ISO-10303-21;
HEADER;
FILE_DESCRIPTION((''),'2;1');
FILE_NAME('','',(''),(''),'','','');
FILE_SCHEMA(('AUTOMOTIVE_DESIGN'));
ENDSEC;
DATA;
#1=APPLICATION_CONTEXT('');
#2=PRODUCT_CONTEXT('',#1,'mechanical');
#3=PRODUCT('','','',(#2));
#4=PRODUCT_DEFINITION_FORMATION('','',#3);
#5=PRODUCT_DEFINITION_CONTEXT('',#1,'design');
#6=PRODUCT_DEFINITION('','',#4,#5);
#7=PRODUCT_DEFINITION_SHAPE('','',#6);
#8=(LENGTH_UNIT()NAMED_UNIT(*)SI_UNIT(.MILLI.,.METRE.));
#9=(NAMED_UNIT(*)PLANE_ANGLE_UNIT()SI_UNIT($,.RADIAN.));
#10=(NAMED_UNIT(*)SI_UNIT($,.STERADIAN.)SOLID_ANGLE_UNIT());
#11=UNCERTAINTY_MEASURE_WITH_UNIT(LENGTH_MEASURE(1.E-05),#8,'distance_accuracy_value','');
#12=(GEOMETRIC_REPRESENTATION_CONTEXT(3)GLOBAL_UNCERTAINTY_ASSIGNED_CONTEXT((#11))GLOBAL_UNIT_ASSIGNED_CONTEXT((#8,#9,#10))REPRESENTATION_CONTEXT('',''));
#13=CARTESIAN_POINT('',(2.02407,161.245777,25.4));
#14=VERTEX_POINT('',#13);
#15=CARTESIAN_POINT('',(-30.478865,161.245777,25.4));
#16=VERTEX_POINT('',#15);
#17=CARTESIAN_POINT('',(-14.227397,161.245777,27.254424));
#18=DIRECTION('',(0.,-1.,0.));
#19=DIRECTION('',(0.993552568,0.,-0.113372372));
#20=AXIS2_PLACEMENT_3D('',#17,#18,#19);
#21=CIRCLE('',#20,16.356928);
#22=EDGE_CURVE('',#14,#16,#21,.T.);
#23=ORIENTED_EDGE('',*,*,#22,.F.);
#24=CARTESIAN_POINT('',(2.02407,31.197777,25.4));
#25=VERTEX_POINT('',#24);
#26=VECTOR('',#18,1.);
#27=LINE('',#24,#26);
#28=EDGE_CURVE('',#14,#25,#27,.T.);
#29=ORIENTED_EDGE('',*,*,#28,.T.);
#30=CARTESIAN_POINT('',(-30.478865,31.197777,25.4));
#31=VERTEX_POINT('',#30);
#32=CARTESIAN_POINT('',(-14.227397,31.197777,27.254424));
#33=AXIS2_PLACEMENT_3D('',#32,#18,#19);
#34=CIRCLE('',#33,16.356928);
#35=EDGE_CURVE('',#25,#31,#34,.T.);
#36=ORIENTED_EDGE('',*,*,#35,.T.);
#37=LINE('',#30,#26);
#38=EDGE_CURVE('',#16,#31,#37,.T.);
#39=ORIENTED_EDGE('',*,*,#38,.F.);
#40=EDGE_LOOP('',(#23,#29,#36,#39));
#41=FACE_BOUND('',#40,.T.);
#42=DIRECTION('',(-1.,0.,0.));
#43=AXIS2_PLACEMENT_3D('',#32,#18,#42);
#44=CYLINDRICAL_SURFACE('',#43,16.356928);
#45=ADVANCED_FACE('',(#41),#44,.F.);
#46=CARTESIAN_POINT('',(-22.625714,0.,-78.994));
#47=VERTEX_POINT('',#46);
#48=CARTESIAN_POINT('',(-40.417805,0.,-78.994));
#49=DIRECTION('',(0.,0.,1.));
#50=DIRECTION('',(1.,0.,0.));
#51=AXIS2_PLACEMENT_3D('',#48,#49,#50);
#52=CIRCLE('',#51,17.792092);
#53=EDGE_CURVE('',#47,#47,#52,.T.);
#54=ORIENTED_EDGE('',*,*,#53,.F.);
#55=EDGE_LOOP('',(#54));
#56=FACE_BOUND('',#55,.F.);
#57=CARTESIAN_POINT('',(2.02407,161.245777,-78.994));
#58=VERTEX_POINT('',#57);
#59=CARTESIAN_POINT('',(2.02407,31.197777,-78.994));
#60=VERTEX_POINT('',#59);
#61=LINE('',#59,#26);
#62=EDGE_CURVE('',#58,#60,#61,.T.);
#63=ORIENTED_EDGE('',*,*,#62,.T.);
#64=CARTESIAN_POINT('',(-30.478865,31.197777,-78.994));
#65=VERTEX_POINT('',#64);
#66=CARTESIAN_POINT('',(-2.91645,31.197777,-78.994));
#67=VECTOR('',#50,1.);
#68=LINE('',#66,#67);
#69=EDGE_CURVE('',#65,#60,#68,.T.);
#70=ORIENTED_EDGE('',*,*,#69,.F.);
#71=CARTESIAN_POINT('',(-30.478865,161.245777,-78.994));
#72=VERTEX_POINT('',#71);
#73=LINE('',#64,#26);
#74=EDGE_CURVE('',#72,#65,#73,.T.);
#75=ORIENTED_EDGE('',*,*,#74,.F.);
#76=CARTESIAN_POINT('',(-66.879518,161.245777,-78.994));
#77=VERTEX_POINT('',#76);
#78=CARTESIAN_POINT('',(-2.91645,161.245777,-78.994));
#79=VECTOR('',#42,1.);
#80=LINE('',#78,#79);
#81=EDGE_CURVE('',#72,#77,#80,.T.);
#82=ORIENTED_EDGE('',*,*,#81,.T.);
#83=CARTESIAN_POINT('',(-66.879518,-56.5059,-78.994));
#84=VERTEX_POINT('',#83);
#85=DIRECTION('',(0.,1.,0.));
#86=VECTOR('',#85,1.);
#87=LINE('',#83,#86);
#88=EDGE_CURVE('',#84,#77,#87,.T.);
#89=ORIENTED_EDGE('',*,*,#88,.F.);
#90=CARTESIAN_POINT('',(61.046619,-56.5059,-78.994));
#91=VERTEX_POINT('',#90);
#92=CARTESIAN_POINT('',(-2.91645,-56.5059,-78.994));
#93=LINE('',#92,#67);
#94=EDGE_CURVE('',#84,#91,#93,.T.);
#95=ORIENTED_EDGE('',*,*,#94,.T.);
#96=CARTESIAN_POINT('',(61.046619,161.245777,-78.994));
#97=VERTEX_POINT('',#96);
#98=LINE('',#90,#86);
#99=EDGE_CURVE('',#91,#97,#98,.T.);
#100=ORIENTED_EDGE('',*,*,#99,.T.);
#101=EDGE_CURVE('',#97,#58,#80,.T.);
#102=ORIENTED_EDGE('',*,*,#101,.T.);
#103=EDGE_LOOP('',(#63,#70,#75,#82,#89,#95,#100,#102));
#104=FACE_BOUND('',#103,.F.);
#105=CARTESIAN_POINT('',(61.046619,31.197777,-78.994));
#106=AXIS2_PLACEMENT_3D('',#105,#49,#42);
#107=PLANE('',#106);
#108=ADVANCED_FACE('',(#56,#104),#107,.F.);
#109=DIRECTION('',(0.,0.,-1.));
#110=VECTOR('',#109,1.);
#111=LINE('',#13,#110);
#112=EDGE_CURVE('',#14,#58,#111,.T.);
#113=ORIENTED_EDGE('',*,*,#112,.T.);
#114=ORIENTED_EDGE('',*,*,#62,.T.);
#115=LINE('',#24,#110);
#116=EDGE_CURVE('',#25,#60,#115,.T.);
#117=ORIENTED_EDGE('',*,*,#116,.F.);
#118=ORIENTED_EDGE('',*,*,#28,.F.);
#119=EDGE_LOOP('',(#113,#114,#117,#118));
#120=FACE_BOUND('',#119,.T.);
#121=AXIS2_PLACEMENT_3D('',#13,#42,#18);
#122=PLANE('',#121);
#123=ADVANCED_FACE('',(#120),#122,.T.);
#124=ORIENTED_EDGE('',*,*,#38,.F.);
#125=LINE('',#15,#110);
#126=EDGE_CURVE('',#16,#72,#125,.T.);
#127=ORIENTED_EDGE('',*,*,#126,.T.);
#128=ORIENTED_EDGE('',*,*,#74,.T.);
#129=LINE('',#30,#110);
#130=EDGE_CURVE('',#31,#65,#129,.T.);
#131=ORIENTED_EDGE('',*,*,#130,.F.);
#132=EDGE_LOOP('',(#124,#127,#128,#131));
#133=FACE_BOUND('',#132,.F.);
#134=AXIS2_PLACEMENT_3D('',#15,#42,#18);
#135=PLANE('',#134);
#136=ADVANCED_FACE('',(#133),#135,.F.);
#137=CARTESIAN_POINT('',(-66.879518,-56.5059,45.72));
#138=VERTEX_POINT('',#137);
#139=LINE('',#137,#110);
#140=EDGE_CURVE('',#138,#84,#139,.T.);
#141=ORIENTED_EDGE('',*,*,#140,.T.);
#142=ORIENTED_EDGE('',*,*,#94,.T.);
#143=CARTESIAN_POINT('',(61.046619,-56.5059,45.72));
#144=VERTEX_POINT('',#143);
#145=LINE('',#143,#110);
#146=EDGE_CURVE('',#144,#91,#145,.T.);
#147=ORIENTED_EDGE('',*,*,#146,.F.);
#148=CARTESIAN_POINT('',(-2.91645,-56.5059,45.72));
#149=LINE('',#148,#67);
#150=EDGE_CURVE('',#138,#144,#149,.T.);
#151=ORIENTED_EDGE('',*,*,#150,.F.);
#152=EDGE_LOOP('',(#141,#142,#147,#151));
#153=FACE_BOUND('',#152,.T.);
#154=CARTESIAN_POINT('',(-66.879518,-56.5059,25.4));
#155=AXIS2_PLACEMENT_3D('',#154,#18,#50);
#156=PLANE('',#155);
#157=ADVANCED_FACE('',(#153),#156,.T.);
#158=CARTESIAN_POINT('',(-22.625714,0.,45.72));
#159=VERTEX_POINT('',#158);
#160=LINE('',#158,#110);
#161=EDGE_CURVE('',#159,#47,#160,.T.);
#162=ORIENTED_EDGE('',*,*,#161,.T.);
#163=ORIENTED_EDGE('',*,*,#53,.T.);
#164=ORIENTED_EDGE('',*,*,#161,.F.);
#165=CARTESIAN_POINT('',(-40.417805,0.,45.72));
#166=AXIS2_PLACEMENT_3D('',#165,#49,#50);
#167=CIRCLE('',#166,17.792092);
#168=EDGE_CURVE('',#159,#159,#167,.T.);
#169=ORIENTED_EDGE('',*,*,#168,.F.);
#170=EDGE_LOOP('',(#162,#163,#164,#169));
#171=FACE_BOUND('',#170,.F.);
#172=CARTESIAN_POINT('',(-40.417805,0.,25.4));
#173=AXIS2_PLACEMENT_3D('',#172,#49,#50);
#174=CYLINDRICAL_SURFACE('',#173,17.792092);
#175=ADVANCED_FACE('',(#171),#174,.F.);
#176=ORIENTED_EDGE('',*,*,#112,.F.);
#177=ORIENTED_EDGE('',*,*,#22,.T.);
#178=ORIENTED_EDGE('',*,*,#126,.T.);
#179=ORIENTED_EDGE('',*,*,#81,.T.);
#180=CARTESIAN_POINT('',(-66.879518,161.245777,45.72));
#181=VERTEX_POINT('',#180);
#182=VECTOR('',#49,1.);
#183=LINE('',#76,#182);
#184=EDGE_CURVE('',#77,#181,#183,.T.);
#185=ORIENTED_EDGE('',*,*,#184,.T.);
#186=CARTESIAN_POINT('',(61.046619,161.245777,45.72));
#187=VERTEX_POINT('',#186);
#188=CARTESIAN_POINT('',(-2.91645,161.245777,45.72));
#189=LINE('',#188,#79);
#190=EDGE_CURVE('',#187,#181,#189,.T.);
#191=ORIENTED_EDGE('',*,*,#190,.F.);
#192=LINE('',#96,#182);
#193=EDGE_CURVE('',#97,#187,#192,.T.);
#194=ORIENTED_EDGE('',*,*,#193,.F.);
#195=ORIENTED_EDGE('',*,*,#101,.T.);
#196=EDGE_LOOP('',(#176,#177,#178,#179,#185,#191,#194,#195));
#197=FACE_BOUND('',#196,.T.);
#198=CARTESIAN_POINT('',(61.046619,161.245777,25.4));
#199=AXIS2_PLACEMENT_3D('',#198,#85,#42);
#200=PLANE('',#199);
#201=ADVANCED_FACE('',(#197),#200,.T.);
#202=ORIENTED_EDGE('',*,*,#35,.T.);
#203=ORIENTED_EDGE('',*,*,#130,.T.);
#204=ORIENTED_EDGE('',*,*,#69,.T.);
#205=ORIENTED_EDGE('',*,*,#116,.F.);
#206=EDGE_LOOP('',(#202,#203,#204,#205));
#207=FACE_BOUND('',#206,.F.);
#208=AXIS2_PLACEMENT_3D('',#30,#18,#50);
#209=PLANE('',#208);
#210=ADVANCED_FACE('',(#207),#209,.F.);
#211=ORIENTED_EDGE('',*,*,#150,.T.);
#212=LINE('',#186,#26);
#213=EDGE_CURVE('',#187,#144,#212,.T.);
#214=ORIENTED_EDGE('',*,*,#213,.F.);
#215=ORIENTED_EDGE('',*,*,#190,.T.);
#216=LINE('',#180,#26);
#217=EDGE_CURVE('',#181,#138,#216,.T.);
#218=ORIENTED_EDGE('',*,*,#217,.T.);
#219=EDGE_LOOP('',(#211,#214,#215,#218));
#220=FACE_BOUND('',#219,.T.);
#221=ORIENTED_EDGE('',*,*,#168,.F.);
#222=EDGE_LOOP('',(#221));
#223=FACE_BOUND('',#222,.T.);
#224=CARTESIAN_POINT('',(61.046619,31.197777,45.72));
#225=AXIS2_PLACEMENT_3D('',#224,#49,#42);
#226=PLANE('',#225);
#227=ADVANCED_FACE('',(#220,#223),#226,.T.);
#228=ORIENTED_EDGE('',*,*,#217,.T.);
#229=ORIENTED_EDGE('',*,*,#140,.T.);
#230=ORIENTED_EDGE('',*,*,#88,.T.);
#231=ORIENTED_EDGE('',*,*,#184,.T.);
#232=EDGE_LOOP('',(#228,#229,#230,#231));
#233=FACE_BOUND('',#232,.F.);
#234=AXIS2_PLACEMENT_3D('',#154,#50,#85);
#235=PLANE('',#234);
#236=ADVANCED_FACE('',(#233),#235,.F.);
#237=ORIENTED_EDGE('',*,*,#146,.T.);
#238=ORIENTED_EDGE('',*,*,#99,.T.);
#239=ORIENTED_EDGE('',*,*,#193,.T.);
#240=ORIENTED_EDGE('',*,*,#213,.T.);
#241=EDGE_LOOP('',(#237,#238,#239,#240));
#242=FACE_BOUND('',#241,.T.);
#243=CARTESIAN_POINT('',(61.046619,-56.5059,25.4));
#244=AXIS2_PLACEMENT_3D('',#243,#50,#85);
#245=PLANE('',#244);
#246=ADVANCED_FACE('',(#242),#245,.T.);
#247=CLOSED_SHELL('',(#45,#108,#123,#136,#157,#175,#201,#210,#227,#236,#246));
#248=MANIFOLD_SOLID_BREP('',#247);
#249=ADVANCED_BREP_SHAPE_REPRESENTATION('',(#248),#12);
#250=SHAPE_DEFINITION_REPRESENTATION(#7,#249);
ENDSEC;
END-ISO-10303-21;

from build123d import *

# Parameters (mm, degrees)
F0_W     = 127.9261372983
F0_H     = 87.7036768943
F1_DEPTH = 45.72
F2_R     = 17.7920916597
F3_DEPTH = 45.72
F4_W     = 127.9261372983
F4_H     = 45.72
F4_R     = 16.3569276355
F5_DEPTH = 130.048
F6_DEPTH = 25.4
F7_DEPTH = 104.394


with BuildPart() as f1:
    # F0 (on Top) → F1 (new body)
    with BuildSketch(Plane.XY):
        with Locations((-2.9164496809, -12.6540614292)):
            Rectangle(F0_W, F0_H)
    extrude(amount=F1_DEPTH)

    # F2 (on face) → F3 (cut)
    with BuildSketch(Plane.XY.offset(45.72)):
        with Locations((-40.4178053141, 0)):
            Circle(F2_R)
    extrude(amount=-F3_DEPTH, mode=Mode.SUBTRACT)

    # F4 (on face) → F5 (join)
    with BuildSketch(Plane(origin=(0, 31.197777018, 0), x_dir=(-1, 0, 0), z_dir=(0, 1, 0))):
        with Locations((2.9164496809, 22.86)):
            Rectangle(F4_W, F4_H)
        with Locations((14.2273971344, 27.2544236794)):
            Circle(F4_R, mode=Mode.SUBTRACT)
    extrude(amount=F5_DEPTH)

    # F6 (cut): a face of the model
    f6_faces = [f1.faces().sort_by_distance(p)[0] for p in [
        (-1.528037409, 54.3088302233, 0),
    ]]
    extrude(f6_faces, amount=-F6_DEPTH, mode=Mode.SUBTRACT)

    # F7 (add): a face of the model
    f7_faces = [f1.faces().sort_by_distance(p)[0] for p in [
        (58.5211311066, 52.3699385708, 25.4),
    ]]
    extrude(f7_faces, amount=F7_DEPTH)


solid = f1.part
